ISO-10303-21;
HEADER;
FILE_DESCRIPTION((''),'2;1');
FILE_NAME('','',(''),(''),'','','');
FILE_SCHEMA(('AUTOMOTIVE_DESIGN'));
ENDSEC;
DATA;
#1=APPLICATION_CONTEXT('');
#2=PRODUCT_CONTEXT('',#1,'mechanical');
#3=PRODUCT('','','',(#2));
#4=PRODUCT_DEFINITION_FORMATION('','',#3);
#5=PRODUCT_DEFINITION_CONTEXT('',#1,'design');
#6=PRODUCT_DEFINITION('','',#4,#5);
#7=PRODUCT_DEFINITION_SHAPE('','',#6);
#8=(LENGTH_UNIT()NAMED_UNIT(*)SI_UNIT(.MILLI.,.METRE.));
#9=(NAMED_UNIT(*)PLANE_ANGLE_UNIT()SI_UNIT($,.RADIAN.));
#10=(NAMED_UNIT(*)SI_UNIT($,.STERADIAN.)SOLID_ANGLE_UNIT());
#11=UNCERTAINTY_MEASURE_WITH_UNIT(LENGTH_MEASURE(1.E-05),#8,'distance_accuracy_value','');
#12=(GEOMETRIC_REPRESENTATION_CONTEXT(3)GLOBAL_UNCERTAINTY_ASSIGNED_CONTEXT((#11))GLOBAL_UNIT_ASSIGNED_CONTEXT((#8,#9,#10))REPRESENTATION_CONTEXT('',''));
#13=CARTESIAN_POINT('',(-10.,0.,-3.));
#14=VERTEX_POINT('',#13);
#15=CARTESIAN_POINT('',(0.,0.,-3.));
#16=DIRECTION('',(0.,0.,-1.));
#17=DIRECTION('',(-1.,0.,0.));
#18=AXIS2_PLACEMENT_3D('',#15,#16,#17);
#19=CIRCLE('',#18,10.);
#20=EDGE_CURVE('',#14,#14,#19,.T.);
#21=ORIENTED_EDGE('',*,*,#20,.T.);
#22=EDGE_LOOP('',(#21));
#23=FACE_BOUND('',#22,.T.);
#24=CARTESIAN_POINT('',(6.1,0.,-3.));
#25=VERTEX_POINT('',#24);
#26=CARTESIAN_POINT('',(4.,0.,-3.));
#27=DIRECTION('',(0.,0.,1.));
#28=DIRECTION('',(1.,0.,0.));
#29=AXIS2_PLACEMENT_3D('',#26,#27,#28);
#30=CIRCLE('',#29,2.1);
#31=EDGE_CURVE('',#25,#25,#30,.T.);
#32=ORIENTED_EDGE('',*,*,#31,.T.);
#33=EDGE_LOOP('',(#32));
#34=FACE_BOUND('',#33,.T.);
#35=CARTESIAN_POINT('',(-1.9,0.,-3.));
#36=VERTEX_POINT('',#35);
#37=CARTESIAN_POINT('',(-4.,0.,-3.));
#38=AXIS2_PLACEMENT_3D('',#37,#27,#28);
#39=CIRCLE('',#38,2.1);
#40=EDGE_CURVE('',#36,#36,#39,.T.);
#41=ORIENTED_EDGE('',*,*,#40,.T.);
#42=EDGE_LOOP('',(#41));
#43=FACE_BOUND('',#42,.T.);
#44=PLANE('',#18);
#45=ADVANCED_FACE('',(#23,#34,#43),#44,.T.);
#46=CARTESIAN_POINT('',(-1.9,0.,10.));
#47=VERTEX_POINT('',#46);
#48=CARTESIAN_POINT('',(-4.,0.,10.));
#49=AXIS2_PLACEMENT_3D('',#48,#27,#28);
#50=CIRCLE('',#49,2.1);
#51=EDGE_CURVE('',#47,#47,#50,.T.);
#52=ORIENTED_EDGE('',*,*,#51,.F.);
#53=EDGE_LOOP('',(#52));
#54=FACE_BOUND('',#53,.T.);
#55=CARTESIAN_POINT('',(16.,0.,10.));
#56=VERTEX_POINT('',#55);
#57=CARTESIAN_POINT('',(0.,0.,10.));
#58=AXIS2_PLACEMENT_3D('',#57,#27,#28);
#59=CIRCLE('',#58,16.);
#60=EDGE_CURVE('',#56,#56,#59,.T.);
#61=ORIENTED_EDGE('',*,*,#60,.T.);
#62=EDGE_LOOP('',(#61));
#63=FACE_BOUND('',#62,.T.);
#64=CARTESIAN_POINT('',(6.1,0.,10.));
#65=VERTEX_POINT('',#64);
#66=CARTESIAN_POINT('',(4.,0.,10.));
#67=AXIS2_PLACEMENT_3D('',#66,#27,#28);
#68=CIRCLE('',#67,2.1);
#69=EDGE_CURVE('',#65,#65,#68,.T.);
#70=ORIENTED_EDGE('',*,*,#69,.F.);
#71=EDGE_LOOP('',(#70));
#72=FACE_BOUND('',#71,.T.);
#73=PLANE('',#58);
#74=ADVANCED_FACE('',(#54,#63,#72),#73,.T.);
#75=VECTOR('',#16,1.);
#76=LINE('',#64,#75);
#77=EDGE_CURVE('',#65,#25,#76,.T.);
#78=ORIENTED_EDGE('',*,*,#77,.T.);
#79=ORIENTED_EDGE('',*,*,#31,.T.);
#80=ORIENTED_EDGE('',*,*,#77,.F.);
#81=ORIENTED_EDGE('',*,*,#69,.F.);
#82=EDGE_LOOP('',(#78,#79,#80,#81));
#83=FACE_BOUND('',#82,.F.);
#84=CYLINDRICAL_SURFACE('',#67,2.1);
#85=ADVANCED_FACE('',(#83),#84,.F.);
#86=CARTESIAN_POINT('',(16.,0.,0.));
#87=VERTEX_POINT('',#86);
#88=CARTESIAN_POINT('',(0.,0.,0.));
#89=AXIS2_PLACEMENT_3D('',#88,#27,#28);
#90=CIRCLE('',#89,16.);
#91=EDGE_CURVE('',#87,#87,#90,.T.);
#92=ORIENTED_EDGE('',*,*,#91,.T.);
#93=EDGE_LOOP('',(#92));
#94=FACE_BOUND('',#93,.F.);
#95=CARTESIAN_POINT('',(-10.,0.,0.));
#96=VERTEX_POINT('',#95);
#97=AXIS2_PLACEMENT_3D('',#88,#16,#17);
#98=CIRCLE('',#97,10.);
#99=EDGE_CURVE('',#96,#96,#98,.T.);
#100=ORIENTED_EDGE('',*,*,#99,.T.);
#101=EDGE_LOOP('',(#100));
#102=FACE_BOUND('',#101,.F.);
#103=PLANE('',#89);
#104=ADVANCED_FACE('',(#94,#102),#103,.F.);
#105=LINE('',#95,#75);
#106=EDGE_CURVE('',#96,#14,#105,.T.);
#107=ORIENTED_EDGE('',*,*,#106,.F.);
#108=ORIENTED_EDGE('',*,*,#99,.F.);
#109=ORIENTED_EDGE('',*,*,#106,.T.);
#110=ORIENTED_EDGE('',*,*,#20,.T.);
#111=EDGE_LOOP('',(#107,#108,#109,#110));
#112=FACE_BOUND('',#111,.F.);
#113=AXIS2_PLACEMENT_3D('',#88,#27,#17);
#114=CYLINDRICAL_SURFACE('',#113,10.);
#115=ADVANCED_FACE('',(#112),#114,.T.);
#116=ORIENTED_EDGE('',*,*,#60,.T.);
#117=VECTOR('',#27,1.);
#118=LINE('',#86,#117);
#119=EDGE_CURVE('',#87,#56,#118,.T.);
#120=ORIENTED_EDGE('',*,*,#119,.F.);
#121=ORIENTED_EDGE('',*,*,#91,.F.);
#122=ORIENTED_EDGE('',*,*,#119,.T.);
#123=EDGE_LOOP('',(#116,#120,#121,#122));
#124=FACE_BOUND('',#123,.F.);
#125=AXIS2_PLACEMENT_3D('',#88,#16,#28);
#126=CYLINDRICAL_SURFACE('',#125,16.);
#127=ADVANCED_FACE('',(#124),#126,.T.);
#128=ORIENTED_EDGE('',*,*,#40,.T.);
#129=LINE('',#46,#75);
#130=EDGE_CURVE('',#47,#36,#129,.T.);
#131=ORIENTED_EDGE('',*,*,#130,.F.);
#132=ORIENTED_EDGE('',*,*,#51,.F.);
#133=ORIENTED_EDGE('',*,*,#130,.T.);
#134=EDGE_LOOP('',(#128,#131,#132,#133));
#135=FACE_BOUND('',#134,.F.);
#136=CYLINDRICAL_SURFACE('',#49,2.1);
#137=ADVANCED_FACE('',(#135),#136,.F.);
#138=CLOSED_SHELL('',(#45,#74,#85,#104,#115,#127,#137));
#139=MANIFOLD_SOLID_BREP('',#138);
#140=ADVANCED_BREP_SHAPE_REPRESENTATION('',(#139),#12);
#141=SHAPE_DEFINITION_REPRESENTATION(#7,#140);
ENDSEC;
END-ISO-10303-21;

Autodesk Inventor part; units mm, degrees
ref_plane "YZ Plane" through (0, 0, 0) normal (1, 0, 0) x (0, 1, 0)
ref_plane "XZ Plane" through (0, 0, 0) normal (0, 1, 0) x (-1, 0, 0)
ref_plane "XY Plane" through (0, 0, 0) normal (0, 0, 1) x (1, 0, 0)
sketch "Sketch1" plane through (0, 0, 0) normal (0, 0, 1) x (1, 0, 0)
  circle A0 centre (0, 0) radius 16
  dimension "d0" = 32
extrude "Extrusion1" add sketch "Sketch1" along normal blind 10
sketch "Sketch3" plane through (0, 0, 0) normal (0, 0, -1) x (-1, 0, 0)
  circle A0 centre (0, 0) radius 10
  dimension "d9" = 20
extrude "Extrusion3" add sketch "Sketch3" along normal blind 3
sketch "Sketch2" plane through (0, 0, 10) normal (0, 0, 1) x (1, 0, 0)
  circle A0 centre (-4, 0) radius 2.1
  circle A1 centre (4, 0) radius 2.1
  point P0 (0, 0)
  dimension "d3" = 4
  dimension "d4" = 4
  dimension "d5" = 4.2
  dimension "d6" = 4.2
extrude "Extrusion2" cut sketch "Sketch2" against normal through all
properties part number "Remskive to huller"
